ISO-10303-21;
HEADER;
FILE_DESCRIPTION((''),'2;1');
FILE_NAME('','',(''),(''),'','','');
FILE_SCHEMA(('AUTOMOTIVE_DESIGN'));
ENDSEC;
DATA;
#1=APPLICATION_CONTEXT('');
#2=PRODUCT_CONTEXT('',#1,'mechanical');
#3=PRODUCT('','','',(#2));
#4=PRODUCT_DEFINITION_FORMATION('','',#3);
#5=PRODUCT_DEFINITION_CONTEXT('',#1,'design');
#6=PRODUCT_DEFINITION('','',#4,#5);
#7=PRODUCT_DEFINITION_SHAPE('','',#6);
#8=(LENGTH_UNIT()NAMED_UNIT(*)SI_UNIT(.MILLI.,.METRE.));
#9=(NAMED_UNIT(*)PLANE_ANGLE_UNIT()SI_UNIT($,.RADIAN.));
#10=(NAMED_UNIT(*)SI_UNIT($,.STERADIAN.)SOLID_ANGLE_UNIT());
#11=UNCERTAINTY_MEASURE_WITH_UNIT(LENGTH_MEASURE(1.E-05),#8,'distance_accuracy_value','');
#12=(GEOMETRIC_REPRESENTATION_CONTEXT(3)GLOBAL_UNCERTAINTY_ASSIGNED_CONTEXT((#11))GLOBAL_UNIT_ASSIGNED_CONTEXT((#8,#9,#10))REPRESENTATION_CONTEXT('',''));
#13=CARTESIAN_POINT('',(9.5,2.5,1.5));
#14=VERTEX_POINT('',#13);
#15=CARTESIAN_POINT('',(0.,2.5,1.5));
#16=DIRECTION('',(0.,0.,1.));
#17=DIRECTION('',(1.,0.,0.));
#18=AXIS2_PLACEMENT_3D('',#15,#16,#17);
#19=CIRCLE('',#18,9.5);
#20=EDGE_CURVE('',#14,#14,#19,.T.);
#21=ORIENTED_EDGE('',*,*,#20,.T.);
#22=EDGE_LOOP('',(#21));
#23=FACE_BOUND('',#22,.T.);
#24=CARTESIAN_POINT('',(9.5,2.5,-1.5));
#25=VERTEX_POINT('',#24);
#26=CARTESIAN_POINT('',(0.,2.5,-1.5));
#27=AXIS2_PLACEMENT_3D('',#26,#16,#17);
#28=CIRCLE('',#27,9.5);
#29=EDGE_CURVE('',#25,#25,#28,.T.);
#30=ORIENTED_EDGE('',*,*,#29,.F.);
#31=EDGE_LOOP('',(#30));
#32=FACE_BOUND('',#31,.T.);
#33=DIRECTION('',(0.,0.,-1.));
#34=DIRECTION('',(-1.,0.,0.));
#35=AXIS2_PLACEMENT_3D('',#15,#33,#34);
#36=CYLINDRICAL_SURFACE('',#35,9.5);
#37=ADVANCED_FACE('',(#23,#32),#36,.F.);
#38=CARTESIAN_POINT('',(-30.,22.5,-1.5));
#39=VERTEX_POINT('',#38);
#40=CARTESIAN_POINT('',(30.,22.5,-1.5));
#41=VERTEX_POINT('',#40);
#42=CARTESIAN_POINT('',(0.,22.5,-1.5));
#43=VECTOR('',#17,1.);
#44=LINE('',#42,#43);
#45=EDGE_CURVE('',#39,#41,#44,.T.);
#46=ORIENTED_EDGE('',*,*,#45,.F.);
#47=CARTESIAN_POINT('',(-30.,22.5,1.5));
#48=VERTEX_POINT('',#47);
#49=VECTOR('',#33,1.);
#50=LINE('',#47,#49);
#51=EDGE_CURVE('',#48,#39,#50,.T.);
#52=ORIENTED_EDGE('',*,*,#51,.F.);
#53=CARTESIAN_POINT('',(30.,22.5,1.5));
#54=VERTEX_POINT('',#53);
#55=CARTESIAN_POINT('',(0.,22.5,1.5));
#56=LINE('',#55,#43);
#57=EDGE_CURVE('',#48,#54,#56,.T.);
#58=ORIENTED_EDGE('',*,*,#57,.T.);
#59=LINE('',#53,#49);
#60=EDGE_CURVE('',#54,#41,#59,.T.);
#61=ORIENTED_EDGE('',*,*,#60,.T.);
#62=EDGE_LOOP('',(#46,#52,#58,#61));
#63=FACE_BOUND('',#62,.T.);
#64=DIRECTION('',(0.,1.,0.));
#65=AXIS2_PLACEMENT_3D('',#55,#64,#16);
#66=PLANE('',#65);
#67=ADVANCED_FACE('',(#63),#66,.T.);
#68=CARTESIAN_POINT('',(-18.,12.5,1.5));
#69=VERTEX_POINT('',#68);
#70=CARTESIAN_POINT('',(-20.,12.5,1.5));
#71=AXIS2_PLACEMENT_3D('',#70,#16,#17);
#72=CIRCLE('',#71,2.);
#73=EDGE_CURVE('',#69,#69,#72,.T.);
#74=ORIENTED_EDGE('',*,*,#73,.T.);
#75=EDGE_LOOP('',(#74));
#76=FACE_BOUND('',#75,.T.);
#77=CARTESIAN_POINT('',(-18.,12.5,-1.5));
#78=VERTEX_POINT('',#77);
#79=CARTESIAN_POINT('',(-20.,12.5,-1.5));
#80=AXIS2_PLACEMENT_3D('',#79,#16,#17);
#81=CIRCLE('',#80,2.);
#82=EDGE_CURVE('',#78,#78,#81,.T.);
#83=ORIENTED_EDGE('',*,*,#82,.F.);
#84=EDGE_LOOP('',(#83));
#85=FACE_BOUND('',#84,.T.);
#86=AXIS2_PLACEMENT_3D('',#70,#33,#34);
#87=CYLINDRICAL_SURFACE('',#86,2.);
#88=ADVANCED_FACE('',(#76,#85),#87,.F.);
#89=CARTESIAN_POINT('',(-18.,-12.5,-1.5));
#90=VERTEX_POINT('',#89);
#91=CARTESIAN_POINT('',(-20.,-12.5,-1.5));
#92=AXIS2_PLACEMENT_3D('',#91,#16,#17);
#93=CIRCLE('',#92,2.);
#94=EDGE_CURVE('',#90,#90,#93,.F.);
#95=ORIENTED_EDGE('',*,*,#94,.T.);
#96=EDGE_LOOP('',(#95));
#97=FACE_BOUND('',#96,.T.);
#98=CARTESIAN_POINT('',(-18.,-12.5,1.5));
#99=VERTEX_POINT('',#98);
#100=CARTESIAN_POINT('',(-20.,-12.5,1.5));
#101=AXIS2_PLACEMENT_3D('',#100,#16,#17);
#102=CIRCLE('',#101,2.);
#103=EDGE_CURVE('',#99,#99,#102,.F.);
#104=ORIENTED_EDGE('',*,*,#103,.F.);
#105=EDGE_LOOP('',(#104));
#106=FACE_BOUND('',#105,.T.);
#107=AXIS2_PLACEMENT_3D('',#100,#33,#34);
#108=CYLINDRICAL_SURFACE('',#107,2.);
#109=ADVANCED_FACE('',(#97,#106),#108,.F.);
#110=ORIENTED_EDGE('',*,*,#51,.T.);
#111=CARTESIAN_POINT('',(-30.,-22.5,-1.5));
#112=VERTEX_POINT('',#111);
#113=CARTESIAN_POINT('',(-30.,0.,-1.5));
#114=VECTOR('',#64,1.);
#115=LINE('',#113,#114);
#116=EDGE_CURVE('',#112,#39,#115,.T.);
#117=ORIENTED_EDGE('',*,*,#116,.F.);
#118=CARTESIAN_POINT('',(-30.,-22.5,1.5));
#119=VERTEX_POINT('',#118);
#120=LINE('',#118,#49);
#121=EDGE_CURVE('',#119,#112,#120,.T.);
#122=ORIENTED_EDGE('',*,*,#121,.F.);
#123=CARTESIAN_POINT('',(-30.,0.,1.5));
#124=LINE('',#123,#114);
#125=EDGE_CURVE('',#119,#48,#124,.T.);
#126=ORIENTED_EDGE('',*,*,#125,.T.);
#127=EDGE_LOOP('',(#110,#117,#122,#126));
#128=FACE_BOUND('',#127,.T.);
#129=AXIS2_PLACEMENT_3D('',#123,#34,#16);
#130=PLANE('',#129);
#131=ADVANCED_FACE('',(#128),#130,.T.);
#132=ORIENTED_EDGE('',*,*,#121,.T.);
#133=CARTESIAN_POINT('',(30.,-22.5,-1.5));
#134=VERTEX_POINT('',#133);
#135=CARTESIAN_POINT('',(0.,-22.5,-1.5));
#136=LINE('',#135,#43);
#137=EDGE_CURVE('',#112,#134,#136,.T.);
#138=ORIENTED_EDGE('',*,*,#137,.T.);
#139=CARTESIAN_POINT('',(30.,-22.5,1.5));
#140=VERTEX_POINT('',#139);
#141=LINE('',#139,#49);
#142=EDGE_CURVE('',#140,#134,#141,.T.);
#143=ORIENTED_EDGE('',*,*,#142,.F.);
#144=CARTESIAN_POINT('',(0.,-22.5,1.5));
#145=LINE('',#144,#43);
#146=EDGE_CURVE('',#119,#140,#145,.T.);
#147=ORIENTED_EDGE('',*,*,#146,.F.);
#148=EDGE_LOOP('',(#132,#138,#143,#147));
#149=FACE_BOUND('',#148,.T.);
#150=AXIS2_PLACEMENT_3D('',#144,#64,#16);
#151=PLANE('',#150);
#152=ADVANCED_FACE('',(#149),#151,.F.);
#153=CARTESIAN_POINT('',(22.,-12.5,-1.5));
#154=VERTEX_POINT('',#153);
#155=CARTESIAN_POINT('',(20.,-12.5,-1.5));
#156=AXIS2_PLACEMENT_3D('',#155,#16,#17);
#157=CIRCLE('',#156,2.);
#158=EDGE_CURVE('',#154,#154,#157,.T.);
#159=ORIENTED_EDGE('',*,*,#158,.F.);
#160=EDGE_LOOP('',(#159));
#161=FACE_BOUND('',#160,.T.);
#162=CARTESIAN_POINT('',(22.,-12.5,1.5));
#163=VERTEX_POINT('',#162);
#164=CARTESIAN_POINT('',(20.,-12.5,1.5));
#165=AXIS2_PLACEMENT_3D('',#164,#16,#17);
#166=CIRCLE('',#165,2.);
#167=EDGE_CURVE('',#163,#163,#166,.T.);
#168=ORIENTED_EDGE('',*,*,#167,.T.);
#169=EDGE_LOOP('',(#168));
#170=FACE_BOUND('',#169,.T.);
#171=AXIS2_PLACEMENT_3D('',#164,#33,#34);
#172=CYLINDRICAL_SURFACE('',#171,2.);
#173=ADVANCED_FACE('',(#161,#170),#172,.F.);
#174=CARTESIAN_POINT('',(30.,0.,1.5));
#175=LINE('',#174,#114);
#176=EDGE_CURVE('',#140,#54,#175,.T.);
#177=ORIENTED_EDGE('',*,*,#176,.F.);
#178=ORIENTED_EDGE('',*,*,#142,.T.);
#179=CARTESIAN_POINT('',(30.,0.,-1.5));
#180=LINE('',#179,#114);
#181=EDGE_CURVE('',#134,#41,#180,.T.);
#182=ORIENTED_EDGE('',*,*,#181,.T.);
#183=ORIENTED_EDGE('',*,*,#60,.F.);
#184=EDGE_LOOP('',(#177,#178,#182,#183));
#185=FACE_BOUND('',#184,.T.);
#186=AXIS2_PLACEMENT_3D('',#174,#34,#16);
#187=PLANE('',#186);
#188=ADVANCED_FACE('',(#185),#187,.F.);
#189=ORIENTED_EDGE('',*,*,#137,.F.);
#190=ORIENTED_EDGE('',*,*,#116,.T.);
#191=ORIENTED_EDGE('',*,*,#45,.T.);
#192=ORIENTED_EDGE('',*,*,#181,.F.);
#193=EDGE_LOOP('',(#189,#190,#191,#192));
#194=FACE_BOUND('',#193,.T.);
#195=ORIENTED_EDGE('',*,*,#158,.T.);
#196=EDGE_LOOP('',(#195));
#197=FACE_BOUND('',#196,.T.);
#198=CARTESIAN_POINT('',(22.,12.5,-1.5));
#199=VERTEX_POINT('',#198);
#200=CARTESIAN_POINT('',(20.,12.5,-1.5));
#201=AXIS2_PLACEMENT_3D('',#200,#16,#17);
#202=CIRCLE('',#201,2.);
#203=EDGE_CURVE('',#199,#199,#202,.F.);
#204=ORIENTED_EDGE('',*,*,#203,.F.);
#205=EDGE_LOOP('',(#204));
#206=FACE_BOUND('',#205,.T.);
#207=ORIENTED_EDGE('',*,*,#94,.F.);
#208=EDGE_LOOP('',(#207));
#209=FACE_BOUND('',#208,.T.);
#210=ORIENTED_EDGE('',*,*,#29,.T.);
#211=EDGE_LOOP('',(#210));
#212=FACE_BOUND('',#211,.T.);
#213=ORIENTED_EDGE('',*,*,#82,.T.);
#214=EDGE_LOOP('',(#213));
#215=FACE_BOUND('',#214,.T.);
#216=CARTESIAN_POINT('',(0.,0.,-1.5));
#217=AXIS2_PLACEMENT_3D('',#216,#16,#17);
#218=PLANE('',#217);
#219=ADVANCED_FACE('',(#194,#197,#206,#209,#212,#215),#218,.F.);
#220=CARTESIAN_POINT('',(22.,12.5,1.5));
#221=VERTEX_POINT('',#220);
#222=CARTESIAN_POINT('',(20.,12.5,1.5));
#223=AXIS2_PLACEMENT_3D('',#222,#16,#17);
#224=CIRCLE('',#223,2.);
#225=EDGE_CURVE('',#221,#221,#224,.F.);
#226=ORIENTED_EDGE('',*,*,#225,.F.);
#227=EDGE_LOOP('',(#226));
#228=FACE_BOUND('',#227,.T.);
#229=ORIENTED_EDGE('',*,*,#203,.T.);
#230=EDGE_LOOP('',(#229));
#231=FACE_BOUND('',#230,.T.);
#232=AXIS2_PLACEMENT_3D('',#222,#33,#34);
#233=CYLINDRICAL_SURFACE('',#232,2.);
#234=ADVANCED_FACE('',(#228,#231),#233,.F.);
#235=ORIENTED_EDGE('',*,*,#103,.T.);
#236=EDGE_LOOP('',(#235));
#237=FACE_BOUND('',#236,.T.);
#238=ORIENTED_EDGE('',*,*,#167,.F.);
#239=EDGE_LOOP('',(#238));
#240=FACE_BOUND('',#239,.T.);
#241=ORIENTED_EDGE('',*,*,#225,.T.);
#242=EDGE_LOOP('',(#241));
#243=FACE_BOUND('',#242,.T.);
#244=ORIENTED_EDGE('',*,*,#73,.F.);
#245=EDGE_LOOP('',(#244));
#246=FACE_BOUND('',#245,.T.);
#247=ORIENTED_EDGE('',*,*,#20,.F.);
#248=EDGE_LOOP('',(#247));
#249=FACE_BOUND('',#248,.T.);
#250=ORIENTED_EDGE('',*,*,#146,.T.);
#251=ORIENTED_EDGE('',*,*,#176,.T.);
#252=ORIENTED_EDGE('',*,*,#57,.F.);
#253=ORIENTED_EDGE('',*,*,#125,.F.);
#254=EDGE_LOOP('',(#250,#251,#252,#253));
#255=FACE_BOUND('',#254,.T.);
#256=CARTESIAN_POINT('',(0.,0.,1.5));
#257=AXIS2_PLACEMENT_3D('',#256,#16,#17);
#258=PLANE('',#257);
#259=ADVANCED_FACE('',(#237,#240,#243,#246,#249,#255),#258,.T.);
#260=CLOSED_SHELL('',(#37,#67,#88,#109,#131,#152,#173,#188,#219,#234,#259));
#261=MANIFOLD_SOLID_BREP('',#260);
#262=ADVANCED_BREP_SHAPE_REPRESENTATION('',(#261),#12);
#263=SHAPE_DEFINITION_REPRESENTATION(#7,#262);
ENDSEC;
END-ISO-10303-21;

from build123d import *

# Parameters (mm, degrees)
SKETCH_1_R      = 2
SKETCH_1_R_2    = 9.5
EXTRUDE_2_DEPTH = 1.5


with BuildPart() as part:
    # 草图1 → 凸台-拉伸2 (new, symmetric)
    # profile 1 of 2: a face of its own
    with BuildSketch(Plane.XY):
        with BuildLine():
            Line((-30, 12.5), (-30, -22.5))
            Line((-30, -22.5), (30, -22.5))
            Line((30, -22.5), (30, 22.5))
            Line((30, 22.5), (-20, 22.5))
            Line((-20, 22.5), (-20, 14.5))
            ThreePointArc((-20, 14.5), (-18.585786438, 13.914213562), (-18, 12.5))
            ThreePointArc((-18, 12.5), (-20, 10.5), (-22, 12.5))
            Line((-22, 12.5), (-30, 12.5))
        make_face()
        with Locations((-20, -12.5)):
            Circle(SKETCH_1_R, mode=Mode.SUBTRACT)
        with Locations((20, -12.5)):
            Circle(SKETCH_1_R, mode=Mode.SUBTRACT)
        with Locations((0, 2.5)):
            Circle(SKETCH_1_R_2, mode=Mode.SUBTRACT)
        with Locations((20, 12.5)):
            Circle(SKETCH_1_R, mode=Mode.SUBTRACT)
    # profile 2 of 2: a face of its own
    with BuildSketch(Plane.XY):
        with BuildLine():
            Line((-30, 22.5), (-30, 12.5))
            Line((-30, 12.5), (-22, 12.5))
            ThreePointArc((-22, 12.5), (-21.414213562, 13.914213562), (-20, 14.5))
            Line((-20, 14.5), (-20, 22.5))
            Line((-20, 22.5), (-30, 22.5))
        make_face()
    extrude(amount=EXTRUDE_2_DEPTH, both=True)


solid = part.part
